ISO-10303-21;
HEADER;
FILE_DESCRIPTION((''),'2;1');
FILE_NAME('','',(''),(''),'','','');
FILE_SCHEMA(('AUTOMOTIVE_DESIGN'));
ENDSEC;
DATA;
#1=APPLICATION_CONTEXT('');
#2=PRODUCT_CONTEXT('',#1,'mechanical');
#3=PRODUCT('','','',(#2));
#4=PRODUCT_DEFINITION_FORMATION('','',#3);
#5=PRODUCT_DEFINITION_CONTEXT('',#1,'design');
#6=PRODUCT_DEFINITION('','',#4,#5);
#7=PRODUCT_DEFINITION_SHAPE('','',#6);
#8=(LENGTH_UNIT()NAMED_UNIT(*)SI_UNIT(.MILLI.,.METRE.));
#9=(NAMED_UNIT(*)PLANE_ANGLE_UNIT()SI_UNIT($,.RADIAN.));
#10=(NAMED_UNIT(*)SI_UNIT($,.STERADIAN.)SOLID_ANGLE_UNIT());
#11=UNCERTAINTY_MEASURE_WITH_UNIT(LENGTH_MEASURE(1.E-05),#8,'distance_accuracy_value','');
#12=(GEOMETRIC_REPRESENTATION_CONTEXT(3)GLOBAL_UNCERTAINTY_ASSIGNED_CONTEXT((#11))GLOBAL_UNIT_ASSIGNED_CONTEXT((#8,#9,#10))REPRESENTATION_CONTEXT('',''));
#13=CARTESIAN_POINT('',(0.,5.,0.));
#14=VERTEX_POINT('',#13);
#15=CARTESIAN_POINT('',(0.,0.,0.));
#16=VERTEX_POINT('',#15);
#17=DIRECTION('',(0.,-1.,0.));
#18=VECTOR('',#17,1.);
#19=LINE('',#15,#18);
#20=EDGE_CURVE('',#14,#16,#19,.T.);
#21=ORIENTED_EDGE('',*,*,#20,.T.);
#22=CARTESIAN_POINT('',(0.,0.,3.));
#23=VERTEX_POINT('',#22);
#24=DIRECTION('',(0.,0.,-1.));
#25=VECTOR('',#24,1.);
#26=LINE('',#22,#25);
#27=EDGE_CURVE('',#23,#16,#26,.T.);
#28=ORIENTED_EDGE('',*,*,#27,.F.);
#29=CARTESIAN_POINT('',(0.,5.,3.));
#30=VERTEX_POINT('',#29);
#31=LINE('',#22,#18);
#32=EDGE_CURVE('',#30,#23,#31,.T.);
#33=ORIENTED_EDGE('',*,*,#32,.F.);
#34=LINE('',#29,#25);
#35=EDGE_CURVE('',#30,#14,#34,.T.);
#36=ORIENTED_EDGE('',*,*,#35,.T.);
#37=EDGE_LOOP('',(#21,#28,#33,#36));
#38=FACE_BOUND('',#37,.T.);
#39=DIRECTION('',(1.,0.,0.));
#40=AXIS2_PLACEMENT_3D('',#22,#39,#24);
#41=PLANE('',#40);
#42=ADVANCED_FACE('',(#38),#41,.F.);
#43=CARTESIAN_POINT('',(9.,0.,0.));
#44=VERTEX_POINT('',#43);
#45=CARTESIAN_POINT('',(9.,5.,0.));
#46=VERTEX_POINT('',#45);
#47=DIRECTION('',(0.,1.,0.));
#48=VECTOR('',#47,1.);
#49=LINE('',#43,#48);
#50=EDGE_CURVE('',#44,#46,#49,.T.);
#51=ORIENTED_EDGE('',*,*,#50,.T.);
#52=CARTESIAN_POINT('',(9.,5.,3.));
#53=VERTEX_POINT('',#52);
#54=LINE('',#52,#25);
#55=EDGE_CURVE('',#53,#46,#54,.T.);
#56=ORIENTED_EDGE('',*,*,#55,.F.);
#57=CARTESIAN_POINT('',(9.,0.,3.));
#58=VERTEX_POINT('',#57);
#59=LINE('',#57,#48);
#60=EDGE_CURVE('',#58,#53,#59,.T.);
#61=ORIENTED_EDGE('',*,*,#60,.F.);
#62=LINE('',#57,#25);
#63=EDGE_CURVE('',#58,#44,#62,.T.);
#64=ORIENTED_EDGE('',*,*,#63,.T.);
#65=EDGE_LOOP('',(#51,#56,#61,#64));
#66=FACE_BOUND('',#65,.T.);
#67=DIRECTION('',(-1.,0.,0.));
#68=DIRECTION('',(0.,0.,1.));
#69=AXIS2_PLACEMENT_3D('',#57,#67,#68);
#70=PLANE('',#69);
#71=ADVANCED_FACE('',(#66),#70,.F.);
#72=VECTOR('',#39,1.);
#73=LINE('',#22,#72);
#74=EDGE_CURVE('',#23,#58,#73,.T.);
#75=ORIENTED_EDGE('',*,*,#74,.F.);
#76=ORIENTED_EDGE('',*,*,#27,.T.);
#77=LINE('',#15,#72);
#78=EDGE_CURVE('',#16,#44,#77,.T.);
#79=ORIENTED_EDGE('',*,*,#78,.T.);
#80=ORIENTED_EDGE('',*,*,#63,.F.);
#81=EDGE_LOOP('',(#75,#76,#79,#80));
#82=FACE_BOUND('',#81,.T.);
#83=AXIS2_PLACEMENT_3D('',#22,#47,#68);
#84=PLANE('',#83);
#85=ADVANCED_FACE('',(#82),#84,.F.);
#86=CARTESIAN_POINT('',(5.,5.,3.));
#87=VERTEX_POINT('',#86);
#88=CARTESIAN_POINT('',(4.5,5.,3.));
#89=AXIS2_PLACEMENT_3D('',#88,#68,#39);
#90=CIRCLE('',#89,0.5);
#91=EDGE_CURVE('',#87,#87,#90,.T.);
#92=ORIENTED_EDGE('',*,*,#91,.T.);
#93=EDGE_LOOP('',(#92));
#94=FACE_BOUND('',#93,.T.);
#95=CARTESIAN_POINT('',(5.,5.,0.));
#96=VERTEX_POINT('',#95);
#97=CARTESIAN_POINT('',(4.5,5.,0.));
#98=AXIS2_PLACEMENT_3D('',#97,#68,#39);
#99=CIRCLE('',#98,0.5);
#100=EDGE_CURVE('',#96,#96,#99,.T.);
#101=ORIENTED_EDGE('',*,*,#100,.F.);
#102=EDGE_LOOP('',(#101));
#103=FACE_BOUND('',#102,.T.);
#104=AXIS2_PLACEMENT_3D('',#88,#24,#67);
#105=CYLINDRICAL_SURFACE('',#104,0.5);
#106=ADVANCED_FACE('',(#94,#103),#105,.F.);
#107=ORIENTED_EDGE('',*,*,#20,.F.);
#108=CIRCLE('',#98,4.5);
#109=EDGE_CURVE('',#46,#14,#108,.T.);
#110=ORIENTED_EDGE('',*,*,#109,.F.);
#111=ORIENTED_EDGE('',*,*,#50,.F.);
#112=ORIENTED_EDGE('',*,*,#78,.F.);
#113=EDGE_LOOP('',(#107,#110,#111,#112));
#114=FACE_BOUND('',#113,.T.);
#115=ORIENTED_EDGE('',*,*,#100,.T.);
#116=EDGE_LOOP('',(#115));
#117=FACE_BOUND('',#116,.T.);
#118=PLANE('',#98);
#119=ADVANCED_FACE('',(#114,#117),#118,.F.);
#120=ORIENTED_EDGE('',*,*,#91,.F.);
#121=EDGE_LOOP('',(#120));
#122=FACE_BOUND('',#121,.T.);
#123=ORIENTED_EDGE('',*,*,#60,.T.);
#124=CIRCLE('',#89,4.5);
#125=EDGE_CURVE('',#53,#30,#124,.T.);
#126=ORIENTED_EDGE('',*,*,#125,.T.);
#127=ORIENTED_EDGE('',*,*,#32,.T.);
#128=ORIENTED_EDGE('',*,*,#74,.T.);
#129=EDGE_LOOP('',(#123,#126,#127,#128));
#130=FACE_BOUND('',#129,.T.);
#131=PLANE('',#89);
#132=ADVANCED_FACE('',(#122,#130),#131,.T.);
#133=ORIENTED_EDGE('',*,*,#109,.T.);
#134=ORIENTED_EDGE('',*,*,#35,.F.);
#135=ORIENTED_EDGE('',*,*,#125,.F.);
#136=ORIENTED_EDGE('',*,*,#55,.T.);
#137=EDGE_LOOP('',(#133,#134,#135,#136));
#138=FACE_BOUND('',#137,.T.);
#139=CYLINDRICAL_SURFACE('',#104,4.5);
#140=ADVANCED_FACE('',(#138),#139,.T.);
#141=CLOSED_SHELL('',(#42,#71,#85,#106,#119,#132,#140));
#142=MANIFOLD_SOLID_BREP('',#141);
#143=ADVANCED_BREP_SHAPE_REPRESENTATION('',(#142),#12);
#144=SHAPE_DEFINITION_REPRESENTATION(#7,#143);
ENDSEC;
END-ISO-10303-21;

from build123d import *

# Parameters (mm, degrees)
SKETCH1_R           = 0.5
BOSS_EXTRUDE1_DEPTH = 3


with BuildPart() as part:
    # Sketch1 → Boss-Extrude1 (new body)
    with BuildSketch(Plane.XY):
        with BuildLine():
            Line((0, 0), (9, 0))
            Line((9, 0), (9, 5))
            ThreePointArc((9, 5), (4.5, 9.5), (0, 5))
            Line((0, 5), (0, 0))
        make_face()
        with Locations((4.5, 5)):
            Circle(SKETCH1_R, mode=Mode.SUBTRACT)
    extrude(amount=BOSS_EXTRUDE1_DEPTH)


solid = part.part
